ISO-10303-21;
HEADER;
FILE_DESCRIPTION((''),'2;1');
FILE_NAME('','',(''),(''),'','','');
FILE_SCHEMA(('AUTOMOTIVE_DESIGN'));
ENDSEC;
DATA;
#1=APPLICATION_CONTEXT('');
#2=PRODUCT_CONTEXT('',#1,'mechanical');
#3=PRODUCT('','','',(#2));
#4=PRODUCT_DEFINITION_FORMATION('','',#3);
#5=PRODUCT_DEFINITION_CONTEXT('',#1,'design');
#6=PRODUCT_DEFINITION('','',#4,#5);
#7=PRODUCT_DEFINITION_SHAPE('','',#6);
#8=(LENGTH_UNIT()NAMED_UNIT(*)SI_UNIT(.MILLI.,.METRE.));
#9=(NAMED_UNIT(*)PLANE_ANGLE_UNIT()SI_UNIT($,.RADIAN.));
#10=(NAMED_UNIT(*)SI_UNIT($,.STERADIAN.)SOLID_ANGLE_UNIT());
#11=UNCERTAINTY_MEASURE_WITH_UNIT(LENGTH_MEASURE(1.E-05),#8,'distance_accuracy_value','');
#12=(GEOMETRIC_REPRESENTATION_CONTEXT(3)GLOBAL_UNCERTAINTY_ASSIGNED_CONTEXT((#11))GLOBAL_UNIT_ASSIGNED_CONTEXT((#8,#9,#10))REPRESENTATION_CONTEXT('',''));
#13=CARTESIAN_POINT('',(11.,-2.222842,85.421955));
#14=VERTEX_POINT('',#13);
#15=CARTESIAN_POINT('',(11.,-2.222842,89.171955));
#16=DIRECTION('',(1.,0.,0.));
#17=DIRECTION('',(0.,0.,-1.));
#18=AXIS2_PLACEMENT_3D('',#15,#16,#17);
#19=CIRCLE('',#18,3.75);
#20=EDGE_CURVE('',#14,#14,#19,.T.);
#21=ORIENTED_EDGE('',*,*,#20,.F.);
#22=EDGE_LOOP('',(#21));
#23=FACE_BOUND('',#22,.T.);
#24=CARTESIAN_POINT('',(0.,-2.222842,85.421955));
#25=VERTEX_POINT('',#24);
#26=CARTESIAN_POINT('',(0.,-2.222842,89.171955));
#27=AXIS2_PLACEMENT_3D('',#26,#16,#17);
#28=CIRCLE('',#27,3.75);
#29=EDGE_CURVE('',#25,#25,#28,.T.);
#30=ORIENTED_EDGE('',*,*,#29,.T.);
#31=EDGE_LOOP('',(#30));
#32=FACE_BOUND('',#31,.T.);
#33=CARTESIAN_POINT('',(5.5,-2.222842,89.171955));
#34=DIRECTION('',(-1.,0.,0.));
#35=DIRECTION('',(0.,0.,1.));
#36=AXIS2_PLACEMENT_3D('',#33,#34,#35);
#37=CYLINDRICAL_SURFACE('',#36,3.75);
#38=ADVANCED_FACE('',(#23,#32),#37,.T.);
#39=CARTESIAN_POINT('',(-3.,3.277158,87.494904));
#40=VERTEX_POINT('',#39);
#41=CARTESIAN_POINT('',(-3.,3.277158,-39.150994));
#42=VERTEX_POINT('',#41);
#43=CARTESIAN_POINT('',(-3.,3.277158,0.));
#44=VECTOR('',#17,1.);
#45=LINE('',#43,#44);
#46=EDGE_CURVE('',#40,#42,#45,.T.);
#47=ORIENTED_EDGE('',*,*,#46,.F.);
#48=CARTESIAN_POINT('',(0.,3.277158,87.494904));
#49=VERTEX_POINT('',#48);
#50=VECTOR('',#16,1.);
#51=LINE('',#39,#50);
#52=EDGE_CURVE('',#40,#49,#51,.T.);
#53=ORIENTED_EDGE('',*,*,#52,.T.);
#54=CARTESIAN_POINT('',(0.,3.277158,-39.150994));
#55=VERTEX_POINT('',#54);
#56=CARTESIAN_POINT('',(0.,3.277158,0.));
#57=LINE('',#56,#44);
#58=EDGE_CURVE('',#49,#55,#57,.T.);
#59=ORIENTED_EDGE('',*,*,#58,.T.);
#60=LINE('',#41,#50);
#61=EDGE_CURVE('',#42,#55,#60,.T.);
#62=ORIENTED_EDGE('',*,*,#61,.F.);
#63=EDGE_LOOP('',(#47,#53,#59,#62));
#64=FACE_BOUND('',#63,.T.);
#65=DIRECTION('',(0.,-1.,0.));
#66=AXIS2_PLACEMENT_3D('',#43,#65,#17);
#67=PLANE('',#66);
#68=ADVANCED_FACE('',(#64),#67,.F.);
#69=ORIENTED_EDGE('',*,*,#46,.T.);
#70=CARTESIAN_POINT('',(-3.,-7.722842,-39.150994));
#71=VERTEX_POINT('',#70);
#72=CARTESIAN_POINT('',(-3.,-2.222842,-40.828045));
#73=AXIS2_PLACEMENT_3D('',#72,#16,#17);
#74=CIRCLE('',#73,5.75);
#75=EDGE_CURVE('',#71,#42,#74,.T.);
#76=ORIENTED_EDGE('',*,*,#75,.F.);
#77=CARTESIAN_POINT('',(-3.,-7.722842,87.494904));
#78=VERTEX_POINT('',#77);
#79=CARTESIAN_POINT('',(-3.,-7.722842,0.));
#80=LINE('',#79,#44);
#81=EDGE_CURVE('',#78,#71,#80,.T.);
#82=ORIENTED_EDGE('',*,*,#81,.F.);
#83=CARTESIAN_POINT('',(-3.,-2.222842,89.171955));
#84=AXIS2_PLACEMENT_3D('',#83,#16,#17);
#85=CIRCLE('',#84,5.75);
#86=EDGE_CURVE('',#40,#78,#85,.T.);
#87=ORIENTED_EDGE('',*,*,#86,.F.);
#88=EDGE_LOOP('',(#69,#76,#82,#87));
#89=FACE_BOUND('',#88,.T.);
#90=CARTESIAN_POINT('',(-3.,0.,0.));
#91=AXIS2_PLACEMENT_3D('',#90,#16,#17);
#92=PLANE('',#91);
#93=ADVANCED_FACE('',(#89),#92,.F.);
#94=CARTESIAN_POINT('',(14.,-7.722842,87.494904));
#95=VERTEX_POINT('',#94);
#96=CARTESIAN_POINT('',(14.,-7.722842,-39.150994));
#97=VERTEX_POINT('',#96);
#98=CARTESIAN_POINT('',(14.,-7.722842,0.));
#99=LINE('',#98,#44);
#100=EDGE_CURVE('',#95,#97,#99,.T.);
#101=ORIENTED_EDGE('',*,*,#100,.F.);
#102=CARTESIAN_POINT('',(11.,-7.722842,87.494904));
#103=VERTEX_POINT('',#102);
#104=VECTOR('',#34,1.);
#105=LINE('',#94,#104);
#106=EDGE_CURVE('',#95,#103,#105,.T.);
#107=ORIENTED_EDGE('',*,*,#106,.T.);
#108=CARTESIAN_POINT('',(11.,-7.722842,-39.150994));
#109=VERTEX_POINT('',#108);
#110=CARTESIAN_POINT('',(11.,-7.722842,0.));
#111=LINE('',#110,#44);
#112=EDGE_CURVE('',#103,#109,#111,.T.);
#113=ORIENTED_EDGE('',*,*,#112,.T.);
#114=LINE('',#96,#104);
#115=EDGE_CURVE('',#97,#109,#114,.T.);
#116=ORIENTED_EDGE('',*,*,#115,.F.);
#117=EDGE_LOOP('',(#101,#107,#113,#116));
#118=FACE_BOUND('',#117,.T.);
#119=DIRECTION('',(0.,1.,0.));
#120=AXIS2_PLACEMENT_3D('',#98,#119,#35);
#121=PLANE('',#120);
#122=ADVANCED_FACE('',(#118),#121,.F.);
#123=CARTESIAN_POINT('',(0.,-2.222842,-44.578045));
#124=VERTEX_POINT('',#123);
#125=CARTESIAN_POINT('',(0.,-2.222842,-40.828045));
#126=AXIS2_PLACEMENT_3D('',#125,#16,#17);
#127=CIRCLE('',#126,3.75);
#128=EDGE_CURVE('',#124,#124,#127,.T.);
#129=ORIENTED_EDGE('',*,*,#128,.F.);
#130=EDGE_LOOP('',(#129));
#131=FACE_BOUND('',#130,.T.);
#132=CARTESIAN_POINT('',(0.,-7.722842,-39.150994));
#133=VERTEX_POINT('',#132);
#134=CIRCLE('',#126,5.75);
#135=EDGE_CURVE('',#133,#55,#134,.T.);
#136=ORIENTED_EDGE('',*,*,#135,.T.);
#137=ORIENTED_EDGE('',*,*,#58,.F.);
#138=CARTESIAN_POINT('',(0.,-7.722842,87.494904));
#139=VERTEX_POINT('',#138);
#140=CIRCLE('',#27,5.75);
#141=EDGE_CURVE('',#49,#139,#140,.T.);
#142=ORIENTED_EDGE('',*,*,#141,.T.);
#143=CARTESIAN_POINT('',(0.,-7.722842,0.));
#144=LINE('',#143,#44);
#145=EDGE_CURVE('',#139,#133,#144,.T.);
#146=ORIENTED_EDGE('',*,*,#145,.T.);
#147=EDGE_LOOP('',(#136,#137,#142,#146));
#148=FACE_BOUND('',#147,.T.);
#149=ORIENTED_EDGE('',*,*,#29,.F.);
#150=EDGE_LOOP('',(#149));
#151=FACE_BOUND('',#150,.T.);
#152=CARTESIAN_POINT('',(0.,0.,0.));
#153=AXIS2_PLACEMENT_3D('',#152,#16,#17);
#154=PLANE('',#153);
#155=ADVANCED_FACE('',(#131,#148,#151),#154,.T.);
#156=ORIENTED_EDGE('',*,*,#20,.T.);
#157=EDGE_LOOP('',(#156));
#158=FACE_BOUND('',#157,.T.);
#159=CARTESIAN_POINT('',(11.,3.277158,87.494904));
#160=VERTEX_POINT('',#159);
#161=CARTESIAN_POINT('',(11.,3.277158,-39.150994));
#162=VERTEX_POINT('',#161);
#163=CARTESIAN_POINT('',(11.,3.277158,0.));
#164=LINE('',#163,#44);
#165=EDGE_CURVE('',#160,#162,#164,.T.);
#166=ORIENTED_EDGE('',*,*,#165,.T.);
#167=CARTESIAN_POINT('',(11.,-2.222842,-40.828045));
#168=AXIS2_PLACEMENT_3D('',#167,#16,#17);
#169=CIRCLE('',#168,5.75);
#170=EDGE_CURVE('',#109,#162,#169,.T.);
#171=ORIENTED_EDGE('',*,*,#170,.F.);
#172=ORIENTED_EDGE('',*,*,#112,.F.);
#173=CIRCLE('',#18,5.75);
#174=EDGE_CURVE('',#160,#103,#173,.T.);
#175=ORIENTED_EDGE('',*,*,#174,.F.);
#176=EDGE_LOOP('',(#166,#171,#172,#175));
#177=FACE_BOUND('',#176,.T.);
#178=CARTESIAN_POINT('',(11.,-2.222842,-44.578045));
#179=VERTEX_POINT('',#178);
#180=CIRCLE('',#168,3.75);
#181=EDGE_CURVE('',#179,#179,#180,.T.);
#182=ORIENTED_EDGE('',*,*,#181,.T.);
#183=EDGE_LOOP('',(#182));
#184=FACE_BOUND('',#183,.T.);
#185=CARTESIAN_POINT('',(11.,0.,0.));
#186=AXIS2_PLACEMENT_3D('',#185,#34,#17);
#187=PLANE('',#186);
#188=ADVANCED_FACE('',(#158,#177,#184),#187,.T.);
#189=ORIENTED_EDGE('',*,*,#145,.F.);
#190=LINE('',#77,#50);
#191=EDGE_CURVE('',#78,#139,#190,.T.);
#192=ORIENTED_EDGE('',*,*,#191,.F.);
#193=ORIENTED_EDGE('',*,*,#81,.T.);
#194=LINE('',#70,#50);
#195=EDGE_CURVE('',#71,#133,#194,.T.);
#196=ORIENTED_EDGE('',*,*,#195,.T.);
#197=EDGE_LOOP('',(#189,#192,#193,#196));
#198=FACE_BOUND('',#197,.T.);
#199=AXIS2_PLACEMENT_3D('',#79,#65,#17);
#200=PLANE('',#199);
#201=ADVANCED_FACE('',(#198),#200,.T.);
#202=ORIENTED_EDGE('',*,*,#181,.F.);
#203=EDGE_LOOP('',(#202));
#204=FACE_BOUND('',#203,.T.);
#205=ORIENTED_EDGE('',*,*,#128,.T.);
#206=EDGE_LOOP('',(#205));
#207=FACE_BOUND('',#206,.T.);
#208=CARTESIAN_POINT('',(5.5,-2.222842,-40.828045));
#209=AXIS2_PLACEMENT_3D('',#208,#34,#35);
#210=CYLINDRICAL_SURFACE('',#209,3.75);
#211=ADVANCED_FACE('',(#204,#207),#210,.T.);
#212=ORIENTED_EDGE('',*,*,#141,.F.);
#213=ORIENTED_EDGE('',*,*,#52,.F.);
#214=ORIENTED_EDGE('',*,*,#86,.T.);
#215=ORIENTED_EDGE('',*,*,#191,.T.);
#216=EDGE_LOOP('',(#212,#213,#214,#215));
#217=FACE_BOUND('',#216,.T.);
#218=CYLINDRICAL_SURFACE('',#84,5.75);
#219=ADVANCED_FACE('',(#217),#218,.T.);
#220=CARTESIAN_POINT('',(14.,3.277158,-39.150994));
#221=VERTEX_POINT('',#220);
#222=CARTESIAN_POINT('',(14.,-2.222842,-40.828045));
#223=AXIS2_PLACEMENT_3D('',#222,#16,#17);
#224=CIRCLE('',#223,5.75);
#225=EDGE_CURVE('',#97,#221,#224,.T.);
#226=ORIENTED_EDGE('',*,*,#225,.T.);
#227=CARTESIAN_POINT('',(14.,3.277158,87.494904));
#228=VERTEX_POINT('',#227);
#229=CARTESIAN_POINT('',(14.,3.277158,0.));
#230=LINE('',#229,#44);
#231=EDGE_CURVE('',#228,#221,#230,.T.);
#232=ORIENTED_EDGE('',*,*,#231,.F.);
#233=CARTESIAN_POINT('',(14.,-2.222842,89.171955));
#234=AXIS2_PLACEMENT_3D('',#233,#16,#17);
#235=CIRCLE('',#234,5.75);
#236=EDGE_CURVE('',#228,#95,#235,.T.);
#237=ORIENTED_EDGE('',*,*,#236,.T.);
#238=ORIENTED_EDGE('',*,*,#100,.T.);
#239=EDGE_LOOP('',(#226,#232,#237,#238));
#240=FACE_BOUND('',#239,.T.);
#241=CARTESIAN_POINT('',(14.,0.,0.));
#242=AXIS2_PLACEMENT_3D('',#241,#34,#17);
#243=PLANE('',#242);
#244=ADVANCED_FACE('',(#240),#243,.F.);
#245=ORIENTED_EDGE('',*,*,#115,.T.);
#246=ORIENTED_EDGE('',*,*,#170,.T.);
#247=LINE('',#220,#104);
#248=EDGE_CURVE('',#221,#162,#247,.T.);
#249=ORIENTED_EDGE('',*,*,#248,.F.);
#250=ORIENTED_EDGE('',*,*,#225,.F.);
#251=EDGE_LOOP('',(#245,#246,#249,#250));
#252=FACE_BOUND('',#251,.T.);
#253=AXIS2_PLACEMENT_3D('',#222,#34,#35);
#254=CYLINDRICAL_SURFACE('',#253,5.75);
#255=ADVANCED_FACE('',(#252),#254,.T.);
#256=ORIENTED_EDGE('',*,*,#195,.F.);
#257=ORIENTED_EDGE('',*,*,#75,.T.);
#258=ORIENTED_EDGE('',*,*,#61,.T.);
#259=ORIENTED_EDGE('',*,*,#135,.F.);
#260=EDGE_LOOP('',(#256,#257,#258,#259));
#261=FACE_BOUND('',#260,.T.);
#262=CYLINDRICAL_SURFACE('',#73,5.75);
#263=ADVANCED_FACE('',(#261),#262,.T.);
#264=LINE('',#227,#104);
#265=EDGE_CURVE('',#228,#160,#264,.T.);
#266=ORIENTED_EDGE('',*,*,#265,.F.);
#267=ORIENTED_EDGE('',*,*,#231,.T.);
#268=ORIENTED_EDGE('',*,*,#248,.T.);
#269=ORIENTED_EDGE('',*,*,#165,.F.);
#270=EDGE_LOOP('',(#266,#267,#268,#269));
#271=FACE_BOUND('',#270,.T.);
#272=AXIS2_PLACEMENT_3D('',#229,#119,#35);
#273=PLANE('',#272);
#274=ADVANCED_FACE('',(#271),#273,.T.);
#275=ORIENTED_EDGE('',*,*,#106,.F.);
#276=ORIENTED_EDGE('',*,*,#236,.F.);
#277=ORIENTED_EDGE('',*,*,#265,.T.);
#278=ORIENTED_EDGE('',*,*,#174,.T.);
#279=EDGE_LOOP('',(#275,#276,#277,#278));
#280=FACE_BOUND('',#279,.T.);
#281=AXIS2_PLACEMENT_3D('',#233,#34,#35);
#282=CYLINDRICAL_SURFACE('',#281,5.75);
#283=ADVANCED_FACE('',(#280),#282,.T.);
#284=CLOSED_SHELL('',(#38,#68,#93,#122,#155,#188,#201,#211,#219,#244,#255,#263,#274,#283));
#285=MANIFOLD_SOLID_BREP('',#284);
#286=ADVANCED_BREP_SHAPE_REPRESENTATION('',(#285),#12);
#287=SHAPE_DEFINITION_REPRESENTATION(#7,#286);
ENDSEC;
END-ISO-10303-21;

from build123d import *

# Parameters (mm, degrees)
BOSS_EXTRUDE1_DEPTH = 5.5
BOSS_EXTRUDE3_START = -3
BOSS_EXTRUDE3_DEPTH = 3


with BuildPart() as part:
    # Sketch1 → Boss-Extrude1 (new body)
    with BuildSketch(Plane(origin=(0, 0, 0), x_dir=(0, 0, -1), z_dir=(1, 0, 0))):
        with BuildLine():
            Line((-89.1719550698585, -5.9728416814886485), (-89.1719550698585, -2.2228416814886414))
            Line((-89.1719550698585, -2.2228416814886414), (-89.1719550698585, 1.5271583185113649))
            ThreePointArc((-89.17195506985841, 1.5271583185113649), (-92.9219550698585, -2.2228416814886476), (-89.1719550698584, -5.972841681488648))
        make_face()
        with BuildLine():
            Line((40.82804493014197, 1.5271583185113649), (40.82804493014197, -2.2228416814886414))
            Line((40.82804493014197, -2.2228416814886414), (40.82804493014197, -5.9728416814886485))
            ThreePointArc((40.828044930142056, -5.972841681488648), (43.47969535959156, -4.874492110938169), (44.57804493014198, -2.2228416814886423))
            ThreePointArc((44.57804493014198, -2.2228416814886414), (43.47969535959156, 0.4288087479608862), (40.828044930142056, 1.5271583185113649))
        make_face()
        with BuildLine():
            ThreePointArc((40.828044930142056, 1.5271583185113649), (38.176394500692446, 0.42880874796094703), (37.078044930141964, -2.222841681488641))
            Line((37.07804493014196, -2.2228416814886414), (40.82804493014196, -2.2228416814886414))
            Line((40.82804493014197, -2.2228416814886414), (40.82804493014197, 1.5271583185113649))
        make_face()
        with BuildLine():
            Line((40.82804493014196, -2.2228416814886414), (37.07804493014196, -2.2228416814886414))
            ThreePointArc((37.078044930141964, -2.222841681488641), (38.176394500692446, -4.874492110938229), (40.828044930142056, -5.972841681488648))
            Line((40.82804493014197, -5.9728416814886485), (40.82804493014197, -2.2228416814886414))
        make_face()
        with BuildLine():
            Line((-89.1719550698585, 1.5271583185113649), (-89.1719550698585, -2.2228416814886414))
            Line((-89.1719550698585, -2.2228416814886414), (-85.4219550698585, -2.2228416814886414))
            ThreePointArc((-85.4219550698585, -2.2228416814886414), (-86.52030464040891, 0.4288087479608862), (-89.17195506985841, 1.5271583185113649))
        make_face()
        with BuildLine():
            Line((-85.4219550698585, -2.2228416814886414), (-89.1719550698585, -2.2228416814886414))
            Line((-89.1719550698585, -2.2228416814886414), (-89.1719550698585, -5.9728416814886485))
            ThreePointArc((-89.1719550698584, -5.972841681488648), (-86.52030464040891, -4.874492110938164), (-85.4219550698585, -2.2228416814886423))
        make_face()
    boss_extrude1 = extrude(amount=BOSS_EXTRUDE1_DEPTH)

    # Sketch1<4> → Boss-Extrude3 (add)
    with BuildSketch(Plane(origin=(0, 0, 0), x_dir=(0, 0, -1), z_dir=(1, 0, 0)).offset(BOSS_EXTRUDE3_START)):
        with BuildLine():
            Line((35.078044930141985, -2.2228416814886414), (-83.42195506985851, -2.2228416814886414))
            ThreePointArc((-83.42195506985851, -2.2228416814886427), (-84.55104914390795, -5.6447897266107425), (-87.49490408673329, -7.722841681488518))
            Line((-87.49490408673327, -7.722841681488641), (39.150993947017625, -7.722841681488641))
            ThreePointArc((39.1509939470176, -7.72284168148878), (36.207139004191674, -5.644789726611098), (35.07804493014198, -2.2228416814886405))
        make_face()
        with BuildLine():
            ThreePointArc((-87.49490408673329, 3.277158318511235), (-84.55104914390795, 1.1991063636334598), (-83.42195506985851, -2.2228416814886414))
            Line((-83.42195506985851, -2.2228416814886414), (35.078044930141985, -2.2228416814886414))
            ThreePointArc((35.07804493014198, -2.2228416814886405), (36.207139004191674, 1.1991063636338088), (39.150993947017575, 3.27715831851149))
            Line((39.1509939470176, 3.2771583185113586), (-87.49490408673327, 3.2771583185113586))
        make_face()
        with BuildLine():
            ThreePointArc((-89.17195506985841, 1.5271583185113649), (-86.52030464040891, 0.4288087479608862), (-85.4219550698585, -2.2228416814886414))
            Line((-85.4219550698585, -2.2228416814886414), (-83.42195506985851, -2.2228416814886414))
            ThreePointArc((-83.42195506985851, -2.2228416814886414), (-84.55104914390795, 1.1991063636334598), (-87.49490408673329, 3.277158318511235))
            Line((-87.49490408673327, 3.2771583185113586), (-89.1719550698585, 3.2771583185113586))
            Line((-89.1719550698585, 3.2771583185113586), (-89.1719550698585, 1.5271583185113649))
        make_face()
        with BuildLine():
            Line((-83.42195506985851, -2.2228416814886414), (-85.4219550698585, -2.2228416814886414))
            ThreePointArc((-85.4219550698585, -2.2228416814886423), (-86.52030464040891, -4.874492110938164), (-89.1719550698584, -5.972841681488648))
            Line((-89.1719550698585, -5.9728416814886485), (-89.1719550698585, -7.722841681488641))
            Line((-89.1719550698585, -7.722841681488641), (-87.49490408673327, -7.722841681488641))
            ThreePointArc((-87.49490408673329, -7.722841681488518), (-84.55104914390795, -5.6447897266107425), (-83.42195506985851, -2.2228416814886427))
        make_face()
        with BuildLine():
            Line((-89.1719550698585, -5.9728416814886485), (-89.1719550698585, -2.2228416814886414))
            Line((-89.1719550698585, -2.2228416814886414), (-89.1719550698585, 1.5271583185113649))
            ThreePointArc((-89.17195506985841, 1.5271583185113649), (-92.9219550698585, -2.2228416814886476), (-89.1719550698584, -5.972841681488648))
        make_face()
        with BuildLine():
            Line((-89.1719550698585, 1.5271583185113649), (-89.1719550698585, -2.2228416814886414))
            Line((-89.1719550698585, -2.2228416814886414), (-85.4219550698585, -2.2228416814886414))
            ThreePointArc((-85.4219550698585, -2.2228416814886414), (-86.52030464040891, 0.4288087479608862), (-89.17195506985841, 1.5271583185113649))
        make_face()
        with BuildLine():
            Line((-85.4219550698585, -2.2228416814886414), (-89.1719550698585, -2.2228416814886414))
            Line((-89.1719550698585, -2.2228416814886414), (-89.1719550698585, -5.9728416814886485))
            ThreePointArc((-89.1719550698584, -5.972841681488648), (-86.52030464040891, -4.874492110938164), (-85.4219550698585, -2.2228416814886423))
        make_face()
        with BuildLine():
            ThreePointArc((-89.1719550698584, -5.972841681488648), (-92.9219550698585, -2.2228416814886476), (-89.17195506985841, 1.5271583185113649))
            Line((-89.1719550698585, 1.5271583185113649), (-89.1719550698585, 3.2771583185113586))
            Line((-89.1719550698585, 3.2771583185113586), (-87.49490408673327, 3.2771583185113586))
            ThreePointArc((-87.49490408673329, 3.277158318511235), (-94.92195506985848, -2.2228416814886405), (-87.49490408673329, -7.722841681488518))
            Line((-87.49490408673327, -7.722841681488641), (-89.1719550698585, -7.722841681488641))
            Line((-89.1719550698585, -7.722841681488641), (-89.1719550698585, -5.9728416814886485))
        make_face()
        with BuildLine():
            Line((40.82804493014197, 1.5271583185113649), (40.82804493014197, -2.2228416814886414))
            Line((40.82804493014197, -2.2228416814886414), (40.82804493014197, -5.9728416814886485))
            ThreePointArc((40.828044930142056, -5.972841681488648), (43.47969535959156, -4.874492110938169), (44.57804493014198, -2.2228416814886423))
            ThreePointArc((44.57804493014198, -2.2228416814886414), (43.47969535959156, 0.4288087479608862), (40.828044930142056, 1.5271583185113649))
        make_face()
        with BuildLine():
            ThreePointArc((40.828044930142056, 1.5271583185113649), (38.176394500692446, 0.42880874796094703), (37.078044930141964, -2.222841681488641))
            Line((37.07804493014196, -2.2228416814886414), (40.82804493014196, -2.2228416814886414))
            Line((40.82804493014197, -2.2228416814886414), (40.82804493014197, 1.5271583185113649))
        make_face()
        with BuildLine():
            Line((40.82804493014196, -2.2228416814886414), (37.07804493014196, -2.2228416814886414))
            ThreePointArc((37.078044930141964, -2.222841681488641), (38.176394500692446, -4.874492110938229), (40.828044930142056, -5.972841681488648))
            Line((40.82804493014197, -5.9728416814886485), (40.82804493014197, -2.2228416814886414))
        make_face()
        with BuildLine():
            ThreePointArc((39.150993947017575, 3.27715831851149), (36.207139004191674, 1.1991063636338088), (35.07804493014198, -2.2228416814886405))
            Line((35.078044930141985, -2.2228416814886414), (37.07804493014196, -2.2228416814886414))
            ThreePointArc((37.078044930141964, -2.222841681488641), (38.176394500692446, 0.42880874796094703), (40.828044930142056, 1.5271583185113649))
            Line((40.82804493014197, 1.5271583185113649), (40.82804493014197, 3.2771583185113586))
            Line((40.82804493014196, 3.2771583185113586), (39.1509939470176, 3.2771583185113586))
        make_face()
        with BuildLine():
            ThreePointArc((46.578044930141964, -2.2228416814886414), (44.24999297526442, 2.3980642444616596), (39.150993947017575, 3.27715831851149))
            Line((39.1509939470176, 3.2771583185113586), (40.82804493014196, 3.2771583185113586))
            Line((40.82804493014197, 3.2771583185113586), (40.82804493014197, 1.5271583185113649))
            ThreePointArc((40.828044930142056, 1.5271583185113649), (43.47969535959156, 0.4288087479608862), (44.57804493014198, -2.2228416814886414))
            ThreePointArc((44.57804493014198, -2.2228416814886423), (43.47969535959156, -4.874492110938169), (40.828044930142056, -5.972841681488648))
            Line((40.82804493014197, -5.9728416814886485), (40.82804493014197, -7.722841681488641))
            Line((40.82804493014196, -7.722841681488641), (39.150993947017625, -7.722841681488641))
            ThreePointArc((39.1509939470176, -7.72284168148878), (44.249992975264426, -6.843747607438935), (46.578044930141964, -2.2228416814886427))
        make_face()
        with BuildLine():
            Line((37.07804493014196, -2.2228416814886414), (35.078044930141985, -2.2228416814886414))
            ThreePointArc((35.07804493014198, -2.2228416814886405), (36.207139004191674, -5.644789726611098), (39.1509939470176, -7.72284168148878))
            Line((39.150993947017625, -7.722841681488641), (40.82804493014196, -7.722841681488641))
            Line((40.82804493014197, -7.722841681488641), (40.82804493014197, -5.9728416814886485))
            ThreePointArc((40.828044930142056, -5.972841681488648), (38.176394500692446, -4.874492110938229), (37.078044930141964, -2.222841681488641))
        make_face()
    boss_extrude3 = extrude(amount=BOSS_EXTRUDE3_DEPTH)

    # Mirror1: Boss-Extrude1, Boss-Extrude3 across plane
    add(boss_extrude1.mirror(Plane(origin=(5.5, 0, 0), x_dir=(0, 0, 1), z_dir=(1, 0, 0))))
    add(boss_extrude3.mirror(Plane(origin=(5.5, 0, 0), x_dir=(0, 0, 1), z_dir=(1, 0, 0))))


solid = part.part
